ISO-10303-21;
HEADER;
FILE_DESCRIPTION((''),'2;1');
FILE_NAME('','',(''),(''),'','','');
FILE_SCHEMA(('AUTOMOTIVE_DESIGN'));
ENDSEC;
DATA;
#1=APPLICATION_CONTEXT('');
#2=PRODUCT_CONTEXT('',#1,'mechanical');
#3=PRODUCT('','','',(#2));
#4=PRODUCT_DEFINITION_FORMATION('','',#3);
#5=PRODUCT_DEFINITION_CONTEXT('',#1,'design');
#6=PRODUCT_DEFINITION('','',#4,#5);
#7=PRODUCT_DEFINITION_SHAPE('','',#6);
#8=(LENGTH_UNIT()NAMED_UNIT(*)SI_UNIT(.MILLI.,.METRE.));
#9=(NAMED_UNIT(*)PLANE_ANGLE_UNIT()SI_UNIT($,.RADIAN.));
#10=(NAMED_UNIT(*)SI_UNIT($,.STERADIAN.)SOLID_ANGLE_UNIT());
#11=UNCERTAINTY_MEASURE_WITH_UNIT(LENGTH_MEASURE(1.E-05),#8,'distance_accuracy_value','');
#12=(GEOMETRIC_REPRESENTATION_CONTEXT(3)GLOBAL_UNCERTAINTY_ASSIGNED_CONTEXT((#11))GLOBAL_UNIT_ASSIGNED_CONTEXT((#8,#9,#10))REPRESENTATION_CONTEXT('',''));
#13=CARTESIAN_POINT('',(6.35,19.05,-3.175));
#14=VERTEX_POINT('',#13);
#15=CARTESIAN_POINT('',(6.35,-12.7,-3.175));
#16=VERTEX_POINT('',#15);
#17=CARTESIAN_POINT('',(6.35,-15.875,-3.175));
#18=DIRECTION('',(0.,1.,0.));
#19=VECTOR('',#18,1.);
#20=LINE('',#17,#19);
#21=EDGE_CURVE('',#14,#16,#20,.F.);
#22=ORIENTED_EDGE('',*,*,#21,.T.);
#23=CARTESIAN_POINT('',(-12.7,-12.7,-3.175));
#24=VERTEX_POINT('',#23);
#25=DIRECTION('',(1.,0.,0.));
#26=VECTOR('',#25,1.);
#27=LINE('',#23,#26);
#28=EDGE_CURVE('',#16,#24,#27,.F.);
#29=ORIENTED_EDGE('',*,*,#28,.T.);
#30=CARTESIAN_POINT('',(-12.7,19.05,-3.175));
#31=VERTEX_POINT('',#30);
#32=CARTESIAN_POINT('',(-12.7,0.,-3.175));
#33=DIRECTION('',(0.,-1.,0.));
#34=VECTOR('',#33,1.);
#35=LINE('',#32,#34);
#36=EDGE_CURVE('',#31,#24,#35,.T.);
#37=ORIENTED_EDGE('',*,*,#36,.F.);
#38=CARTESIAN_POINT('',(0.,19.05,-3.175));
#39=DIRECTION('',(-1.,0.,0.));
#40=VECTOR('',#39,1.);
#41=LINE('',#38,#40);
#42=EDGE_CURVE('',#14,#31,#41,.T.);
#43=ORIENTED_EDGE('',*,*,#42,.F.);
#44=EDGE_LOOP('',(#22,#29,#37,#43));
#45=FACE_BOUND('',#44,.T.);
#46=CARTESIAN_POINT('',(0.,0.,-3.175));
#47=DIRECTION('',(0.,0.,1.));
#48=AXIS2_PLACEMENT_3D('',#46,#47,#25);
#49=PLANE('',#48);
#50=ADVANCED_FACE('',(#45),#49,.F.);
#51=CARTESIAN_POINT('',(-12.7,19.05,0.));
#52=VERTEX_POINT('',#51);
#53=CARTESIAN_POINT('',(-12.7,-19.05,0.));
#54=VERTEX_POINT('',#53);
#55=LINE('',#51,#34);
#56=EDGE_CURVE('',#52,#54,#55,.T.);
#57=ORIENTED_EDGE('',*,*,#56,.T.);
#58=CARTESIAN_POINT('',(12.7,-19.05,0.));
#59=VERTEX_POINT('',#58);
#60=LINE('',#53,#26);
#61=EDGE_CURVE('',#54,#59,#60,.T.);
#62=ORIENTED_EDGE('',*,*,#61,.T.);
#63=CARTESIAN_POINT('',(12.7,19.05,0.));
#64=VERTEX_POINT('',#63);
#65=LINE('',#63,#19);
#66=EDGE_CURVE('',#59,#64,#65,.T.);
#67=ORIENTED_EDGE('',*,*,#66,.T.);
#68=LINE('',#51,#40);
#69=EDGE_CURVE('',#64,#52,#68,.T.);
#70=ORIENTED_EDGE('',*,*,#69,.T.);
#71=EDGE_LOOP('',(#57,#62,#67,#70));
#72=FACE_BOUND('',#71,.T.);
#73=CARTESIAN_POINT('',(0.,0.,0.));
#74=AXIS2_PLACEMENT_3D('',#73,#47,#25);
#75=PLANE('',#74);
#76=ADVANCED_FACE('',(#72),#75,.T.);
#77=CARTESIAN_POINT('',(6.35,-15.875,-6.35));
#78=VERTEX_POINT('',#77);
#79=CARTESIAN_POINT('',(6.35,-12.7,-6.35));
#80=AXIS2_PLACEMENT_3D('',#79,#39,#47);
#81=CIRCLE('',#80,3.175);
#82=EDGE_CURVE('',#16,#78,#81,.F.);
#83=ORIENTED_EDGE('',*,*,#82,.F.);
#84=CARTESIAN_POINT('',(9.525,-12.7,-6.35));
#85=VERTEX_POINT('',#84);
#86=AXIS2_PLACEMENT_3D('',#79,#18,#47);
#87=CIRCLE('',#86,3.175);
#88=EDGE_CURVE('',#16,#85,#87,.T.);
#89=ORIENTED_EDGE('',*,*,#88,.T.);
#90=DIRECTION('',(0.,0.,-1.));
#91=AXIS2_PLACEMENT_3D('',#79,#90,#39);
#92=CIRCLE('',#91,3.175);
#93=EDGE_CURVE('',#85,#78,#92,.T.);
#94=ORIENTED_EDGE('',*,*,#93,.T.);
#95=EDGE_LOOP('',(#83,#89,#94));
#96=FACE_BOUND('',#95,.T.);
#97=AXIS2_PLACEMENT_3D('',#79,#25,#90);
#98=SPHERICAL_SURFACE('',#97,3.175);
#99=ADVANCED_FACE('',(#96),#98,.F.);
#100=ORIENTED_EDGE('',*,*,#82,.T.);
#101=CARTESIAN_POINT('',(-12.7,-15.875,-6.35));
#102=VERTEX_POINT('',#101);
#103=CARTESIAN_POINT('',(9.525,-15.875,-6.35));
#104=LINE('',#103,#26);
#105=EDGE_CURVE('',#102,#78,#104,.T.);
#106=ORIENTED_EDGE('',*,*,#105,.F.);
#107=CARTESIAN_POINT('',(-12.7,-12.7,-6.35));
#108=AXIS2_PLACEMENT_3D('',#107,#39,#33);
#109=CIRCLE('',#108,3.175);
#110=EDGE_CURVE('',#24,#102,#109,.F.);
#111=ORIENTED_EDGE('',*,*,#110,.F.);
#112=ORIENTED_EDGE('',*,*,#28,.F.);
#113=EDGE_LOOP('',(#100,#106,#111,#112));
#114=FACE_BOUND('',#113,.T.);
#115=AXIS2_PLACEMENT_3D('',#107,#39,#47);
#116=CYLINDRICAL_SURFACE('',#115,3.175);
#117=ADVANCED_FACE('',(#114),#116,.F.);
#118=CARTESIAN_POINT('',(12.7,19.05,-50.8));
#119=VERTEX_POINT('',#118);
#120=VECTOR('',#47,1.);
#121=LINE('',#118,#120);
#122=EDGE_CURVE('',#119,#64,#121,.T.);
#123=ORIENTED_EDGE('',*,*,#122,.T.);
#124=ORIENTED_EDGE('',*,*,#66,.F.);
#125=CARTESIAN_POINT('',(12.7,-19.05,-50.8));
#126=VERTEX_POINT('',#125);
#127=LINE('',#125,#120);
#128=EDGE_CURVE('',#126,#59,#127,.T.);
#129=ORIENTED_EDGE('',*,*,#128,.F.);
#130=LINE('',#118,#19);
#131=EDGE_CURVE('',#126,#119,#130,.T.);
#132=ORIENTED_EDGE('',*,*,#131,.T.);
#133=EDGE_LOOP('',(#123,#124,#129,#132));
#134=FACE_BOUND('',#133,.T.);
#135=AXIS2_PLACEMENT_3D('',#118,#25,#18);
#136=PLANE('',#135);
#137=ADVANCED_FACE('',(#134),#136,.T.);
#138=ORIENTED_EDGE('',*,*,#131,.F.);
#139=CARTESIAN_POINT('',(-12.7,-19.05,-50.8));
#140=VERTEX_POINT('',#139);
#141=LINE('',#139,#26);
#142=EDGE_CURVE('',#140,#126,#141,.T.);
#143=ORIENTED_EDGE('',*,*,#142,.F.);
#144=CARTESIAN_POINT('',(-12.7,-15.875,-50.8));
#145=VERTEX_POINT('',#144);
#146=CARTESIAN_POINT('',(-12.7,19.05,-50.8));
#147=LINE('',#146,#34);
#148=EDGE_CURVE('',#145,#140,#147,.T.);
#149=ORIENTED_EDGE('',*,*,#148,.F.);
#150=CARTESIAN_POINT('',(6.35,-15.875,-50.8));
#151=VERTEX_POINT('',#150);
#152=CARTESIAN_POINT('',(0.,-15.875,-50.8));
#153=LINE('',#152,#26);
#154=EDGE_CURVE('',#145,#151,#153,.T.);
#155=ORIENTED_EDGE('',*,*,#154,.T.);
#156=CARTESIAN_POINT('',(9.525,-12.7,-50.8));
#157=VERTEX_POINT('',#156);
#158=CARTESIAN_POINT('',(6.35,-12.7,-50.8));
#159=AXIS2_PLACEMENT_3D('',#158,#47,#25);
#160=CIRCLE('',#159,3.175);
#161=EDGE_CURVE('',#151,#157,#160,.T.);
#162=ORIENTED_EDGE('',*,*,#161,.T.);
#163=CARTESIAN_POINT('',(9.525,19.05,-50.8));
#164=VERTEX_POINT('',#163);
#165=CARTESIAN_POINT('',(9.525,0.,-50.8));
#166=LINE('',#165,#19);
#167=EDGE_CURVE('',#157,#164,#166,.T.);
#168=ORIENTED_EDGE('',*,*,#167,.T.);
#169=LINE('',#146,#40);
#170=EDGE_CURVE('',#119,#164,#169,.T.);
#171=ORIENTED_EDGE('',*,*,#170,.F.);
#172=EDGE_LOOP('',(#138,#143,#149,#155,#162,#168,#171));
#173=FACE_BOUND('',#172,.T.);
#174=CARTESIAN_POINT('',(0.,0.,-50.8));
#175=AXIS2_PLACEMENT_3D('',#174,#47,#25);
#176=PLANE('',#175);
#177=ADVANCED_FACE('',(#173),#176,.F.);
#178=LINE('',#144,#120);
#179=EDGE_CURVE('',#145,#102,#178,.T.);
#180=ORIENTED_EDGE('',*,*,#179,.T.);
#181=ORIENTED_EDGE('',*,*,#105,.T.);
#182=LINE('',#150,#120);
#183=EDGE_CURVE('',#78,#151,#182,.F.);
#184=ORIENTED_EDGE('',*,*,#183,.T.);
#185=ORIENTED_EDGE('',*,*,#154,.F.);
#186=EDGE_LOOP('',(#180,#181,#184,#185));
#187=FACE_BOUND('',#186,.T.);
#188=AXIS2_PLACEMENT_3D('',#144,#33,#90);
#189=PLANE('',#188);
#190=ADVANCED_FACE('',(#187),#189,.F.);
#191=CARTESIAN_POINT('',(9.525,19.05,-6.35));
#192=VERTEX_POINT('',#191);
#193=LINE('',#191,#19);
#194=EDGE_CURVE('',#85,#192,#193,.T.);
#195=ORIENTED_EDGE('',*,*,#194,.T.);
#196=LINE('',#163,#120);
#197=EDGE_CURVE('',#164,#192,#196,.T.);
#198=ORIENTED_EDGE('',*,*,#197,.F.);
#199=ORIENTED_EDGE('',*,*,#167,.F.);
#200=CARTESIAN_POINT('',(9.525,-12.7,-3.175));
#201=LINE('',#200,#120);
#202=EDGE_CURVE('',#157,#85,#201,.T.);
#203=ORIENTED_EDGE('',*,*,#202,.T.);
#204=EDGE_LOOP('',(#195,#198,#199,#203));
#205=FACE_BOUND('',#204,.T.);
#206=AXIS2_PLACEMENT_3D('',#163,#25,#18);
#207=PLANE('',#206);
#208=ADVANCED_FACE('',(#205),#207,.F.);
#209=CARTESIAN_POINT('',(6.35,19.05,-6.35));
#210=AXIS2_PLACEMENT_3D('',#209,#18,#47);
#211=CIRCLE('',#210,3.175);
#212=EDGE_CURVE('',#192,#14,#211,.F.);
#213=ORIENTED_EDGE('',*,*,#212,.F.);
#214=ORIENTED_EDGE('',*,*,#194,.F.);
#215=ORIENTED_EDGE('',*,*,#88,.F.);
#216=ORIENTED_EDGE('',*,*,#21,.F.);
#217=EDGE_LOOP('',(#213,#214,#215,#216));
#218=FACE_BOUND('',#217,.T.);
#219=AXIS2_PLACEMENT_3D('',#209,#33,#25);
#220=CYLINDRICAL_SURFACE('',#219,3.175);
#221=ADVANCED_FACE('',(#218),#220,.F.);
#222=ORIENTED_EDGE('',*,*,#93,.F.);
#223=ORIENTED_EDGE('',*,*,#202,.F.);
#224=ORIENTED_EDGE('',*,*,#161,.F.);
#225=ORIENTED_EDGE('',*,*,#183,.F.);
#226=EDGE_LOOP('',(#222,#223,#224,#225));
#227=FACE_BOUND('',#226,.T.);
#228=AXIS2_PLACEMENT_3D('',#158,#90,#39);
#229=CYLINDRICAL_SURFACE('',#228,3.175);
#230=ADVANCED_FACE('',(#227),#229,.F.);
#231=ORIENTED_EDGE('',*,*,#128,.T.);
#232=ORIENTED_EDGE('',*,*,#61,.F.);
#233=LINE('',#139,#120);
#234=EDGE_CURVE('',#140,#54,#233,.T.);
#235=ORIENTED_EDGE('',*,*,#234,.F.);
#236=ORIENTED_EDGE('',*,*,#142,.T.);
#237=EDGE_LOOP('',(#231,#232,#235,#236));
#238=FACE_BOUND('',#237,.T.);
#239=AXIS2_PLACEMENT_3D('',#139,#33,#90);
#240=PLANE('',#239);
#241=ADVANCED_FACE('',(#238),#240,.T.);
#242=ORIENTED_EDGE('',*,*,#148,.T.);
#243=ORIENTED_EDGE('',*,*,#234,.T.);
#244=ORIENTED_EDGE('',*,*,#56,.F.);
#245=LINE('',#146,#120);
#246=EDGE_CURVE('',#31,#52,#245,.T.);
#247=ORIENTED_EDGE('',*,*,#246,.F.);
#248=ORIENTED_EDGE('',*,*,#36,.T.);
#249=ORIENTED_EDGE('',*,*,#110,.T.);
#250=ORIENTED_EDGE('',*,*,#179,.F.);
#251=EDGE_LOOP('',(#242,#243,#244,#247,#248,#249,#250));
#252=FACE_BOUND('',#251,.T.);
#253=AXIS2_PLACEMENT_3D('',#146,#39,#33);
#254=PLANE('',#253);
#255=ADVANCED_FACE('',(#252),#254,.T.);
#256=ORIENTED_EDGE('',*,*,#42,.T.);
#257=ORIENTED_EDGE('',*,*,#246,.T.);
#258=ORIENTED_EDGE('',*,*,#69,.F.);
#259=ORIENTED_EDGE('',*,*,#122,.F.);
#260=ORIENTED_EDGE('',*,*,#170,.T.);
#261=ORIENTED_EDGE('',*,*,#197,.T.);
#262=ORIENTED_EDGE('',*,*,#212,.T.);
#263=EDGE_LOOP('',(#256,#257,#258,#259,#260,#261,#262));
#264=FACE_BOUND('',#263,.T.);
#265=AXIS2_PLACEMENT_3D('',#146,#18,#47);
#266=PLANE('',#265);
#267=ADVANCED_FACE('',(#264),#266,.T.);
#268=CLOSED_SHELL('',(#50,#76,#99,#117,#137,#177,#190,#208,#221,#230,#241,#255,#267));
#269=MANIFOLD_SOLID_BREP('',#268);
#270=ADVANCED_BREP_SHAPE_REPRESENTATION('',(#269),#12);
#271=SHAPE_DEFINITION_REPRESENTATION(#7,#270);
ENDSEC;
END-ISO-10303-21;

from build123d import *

# Parameters (mm, degrees)
SKETCH1_W           = 25.4
SKETCH1_H           = 38.1
BOSS_EXTRUDE1_DEPTH = 50.8
SHELL1_T            = -3.175
FILLET1_R           = 3.175


with BuildPart() as part:
    # Sketch1 → Boss-Extrude1 (new body)
    with BuildSketch(Plane.XY):
        Rectangle(SKETCH1_W, SKETCH1_H)
    extrude(amount=-BOSS_EXTRUDE1_DEPTH)

    # Shell1
    shell1_openings = [part.faces().sort_by_distance(p)[0] for p in [
        (0, 0, -50.8),
        (-12.7, 0, -25.4),
        (0, 19.05, -25.4),
    ]]
    offset(amount=SHELL1_T, openings=shell1_openings, kind=Kind.INTERSECTION)

    # Fillet1
    fillet1_edges = [part.edges().sort_by_distance(p)[0] for p in [
        (9.525, -15.875, -26.9875),
        (9.525, 1.5875, -3.175),
        (-1.5875, -15.875, -3.175),
    ]]
    fillet(fillet1_edges, radius=FILLET1_R)


solid = part.part
